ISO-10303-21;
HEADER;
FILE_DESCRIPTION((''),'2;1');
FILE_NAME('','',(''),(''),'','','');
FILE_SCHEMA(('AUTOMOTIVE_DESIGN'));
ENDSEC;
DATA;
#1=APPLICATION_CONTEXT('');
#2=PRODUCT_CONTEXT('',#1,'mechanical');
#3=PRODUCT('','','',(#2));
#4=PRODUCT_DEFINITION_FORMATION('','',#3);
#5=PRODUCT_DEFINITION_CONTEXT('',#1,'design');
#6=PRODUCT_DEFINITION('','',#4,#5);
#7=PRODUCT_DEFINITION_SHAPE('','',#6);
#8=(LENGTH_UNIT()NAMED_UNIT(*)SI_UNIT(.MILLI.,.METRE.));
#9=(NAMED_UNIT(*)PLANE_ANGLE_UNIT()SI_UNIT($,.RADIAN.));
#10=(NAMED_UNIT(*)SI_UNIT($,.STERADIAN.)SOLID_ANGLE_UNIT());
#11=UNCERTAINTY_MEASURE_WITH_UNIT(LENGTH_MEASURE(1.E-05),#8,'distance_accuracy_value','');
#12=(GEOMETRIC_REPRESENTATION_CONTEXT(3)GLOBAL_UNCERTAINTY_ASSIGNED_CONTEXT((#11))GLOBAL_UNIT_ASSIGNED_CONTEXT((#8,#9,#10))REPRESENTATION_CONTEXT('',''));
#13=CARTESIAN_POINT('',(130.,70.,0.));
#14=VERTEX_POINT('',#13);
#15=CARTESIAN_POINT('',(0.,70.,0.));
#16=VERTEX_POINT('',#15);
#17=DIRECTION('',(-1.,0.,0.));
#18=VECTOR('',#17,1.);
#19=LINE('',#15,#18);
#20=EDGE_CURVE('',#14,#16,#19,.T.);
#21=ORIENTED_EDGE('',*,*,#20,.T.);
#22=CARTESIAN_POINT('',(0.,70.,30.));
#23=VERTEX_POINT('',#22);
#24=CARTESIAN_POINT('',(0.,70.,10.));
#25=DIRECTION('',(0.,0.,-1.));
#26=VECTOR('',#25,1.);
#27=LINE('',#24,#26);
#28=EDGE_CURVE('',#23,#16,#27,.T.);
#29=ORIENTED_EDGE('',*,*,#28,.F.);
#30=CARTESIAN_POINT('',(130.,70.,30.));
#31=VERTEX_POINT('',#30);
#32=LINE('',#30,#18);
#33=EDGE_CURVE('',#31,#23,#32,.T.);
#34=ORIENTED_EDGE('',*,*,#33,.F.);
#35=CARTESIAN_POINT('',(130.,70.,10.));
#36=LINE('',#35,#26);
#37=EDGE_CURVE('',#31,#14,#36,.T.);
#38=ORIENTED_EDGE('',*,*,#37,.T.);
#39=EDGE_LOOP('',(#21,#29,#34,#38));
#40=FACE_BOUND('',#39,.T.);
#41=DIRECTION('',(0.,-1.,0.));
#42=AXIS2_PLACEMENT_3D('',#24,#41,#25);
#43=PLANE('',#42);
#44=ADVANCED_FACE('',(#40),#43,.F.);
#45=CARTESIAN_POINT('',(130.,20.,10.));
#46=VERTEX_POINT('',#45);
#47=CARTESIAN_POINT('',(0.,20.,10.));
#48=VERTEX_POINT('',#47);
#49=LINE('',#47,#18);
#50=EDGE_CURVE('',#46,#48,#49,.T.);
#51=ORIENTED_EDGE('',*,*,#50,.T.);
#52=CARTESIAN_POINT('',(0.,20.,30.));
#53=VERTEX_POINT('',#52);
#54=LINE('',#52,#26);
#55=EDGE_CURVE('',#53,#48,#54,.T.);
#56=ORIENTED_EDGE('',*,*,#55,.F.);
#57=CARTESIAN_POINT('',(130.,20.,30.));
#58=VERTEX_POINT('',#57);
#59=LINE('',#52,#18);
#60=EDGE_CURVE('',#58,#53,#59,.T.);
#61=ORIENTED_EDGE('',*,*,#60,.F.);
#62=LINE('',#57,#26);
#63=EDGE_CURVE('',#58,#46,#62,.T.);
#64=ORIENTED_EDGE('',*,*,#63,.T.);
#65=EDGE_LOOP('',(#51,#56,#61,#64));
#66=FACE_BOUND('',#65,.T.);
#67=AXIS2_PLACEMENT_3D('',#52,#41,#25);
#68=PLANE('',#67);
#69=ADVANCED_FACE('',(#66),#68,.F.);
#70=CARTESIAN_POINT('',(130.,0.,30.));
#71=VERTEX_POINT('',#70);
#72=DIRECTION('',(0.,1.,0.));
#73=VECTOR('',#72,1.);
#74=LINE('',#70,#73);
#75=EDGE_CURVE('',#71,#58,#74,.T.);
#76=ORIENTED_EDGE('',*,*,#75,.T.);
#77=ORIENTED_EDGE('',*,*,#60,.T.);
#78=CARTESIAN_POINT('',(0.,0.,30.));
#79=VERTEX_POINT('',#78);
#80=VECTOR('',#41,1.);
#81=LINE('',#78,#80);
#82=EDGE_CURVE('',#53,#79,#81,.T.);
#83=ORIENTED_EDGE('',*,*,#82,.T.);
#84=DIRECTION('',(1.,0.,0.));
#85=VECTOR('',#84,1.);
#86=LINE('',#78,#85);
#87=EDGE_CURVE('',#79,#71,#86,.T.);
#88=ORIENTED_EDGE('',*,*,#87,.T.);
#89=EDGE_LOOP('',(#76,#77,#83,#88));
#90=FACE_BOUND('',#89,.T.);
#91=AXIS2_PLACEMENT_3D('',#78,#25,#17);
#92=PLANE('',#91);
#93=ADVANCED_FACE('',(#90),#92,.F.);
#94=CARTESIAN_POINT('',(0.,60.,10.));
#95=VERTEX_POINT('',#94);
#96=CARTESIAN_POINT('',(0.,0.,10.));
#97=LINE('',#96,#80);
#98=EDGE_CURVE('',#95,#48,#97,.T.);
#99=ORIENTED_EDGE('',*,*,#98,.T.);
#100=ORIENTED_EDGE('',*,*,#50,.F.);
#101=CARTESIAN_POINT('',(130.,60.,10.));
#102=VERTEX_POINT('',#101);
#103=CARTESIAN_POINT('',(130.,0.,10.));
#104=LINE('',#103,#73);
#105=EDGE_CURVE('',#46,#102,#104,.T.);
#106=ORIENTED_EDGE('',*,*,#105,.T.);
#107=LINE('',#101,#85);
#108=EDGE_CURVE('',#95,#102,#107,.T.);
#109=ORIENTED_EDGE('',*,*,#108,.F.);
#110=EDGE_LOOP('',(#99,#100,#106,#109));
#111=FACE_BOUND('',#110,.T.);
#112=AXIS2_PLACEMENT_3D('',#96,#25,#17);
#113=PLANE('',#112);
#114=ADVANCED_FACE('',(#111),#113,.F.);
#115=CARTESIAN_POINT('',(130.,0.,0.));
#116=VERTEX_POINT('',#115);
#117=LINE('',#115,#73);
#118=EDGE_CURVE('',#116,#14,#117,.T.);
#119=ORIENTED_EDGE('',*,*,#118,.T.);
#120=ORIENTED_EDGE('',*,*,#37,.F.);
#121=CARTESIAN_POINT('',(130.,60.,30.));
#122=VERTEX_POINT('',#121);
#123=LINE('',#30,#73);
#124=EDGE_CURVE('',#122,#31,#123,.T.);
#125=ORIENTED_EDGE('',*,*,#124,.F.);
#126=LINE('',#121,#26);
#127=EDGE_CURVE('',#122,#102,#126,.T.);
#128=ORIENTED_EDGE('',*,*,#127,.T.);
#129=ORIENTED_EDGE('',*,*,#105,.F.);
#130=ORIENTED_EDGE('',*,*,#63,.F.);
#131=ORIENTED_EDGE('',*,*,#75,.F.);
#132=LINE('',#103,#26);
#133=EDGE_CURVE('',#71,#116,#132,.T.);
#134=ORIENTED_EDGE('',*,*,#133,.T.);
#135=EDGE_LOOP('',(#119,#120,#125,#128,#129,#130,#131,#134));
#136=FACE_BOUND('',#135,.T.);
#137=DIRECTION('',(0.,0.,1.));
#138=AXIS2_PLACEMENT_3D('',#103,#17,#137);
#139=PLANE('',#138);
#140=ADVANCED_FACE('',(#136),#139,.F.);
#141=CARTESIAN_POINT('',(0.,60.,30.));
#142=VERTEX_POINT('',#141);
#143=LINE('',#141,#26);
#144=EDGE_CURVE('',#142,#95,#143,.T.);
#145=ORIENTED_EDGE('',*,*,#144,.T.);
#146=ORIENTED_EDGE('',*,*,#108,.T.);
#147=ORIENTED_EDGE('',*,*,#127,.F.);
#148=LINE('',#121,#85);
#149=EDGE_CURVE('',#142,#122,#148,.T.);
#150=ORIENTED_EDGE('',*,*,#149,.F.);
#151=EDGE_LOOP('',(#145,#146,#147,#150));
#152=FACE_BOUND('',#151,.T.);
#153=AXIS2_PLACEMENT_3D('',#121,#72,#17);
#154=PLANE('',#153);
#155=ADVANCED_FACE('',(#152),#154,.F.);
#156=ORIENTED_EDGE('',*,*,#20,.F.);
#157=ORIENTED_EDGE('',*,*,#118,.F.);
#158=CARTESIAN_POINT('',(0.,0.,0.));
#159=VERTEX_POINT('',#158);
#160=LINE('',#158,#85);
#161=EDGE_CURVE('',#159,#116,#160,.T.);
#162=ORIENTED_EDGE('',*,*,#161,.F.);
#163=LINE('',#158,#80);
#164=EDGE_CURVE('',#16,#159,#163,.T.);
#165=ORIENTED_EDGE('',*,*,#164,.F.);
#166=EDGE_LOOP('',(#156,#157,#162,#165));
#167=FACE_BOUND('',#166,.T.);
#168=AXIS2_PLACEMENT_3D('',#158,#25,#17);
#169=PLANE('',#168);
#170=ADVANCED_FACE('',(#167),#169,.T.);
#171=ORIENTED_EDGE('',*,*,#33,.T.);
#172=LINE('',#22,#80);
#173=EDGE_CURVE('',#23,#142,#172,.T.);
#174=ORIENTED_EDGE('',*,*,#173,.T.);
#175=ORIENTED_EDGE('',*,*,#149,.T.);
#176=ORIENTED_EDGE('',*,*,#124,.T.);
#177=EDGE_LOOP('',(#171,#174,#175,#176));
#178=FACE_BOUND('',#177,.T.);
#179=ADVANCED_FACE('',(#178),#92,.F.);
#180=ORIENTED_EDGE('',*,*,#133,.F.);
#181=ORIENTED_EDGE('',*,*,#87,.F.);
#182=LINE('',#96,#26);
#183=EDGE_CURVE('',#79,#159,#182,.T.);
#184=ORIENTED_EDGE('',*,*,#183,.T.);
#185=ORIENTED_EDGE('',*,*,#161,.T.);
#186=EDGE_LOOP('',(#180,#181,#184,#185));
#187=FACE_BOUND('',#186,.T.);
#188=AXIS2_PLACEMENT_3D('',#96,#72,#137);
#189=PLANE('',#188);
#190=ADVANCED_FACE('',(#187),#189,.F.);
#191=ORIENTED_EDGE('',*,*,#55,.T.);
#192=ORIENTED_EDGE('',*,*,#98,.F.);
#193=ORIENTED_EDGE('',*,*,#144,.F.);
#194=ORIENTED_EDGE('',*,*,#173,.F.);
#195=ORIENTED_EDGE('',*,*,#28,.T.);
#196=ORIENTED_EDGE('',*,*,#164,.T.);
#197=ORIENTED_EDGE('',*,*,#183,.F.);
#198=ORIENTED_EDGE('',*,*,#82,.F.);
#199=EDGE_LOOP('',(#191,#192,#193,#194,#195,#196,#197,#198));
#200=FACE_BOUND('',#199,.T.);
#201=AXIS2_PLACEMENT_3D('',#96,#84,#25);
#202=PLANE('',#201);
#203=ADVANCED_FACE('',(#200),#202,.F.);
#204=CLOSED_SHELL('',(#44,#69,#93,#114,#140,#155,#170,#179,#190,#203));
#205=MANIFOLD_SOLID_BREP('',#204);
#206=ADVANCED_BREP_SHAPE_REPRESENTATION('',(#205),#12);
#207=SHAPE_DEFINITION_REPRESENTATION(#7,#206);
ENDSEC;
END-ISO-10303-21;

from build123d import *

# Parameters (mm, degrees)
SKETCH1_W           = 130
SKETCH1_H           = 70
BOSS_EXTRUDE1_DEPTH = 10
SKETCH2_W           = 130
SKETCH2_H           = 10
SKETCH2_H_2         = 20
BOSS_EXTRUDE2_DEPTH = 20


with BuildPart() as part:
    # Sketch1 → Boss-Extrude1 (new body)
    with BuildSketch(Plane.XY):
        with Locations((65, 35)):
            Rectangle(SKETCH1_W, SKETCH1_H)
    extrude(amount=BOSS_EXTRUDE1_DEPTH)

    # Sketch2 → Boss-Extrude2 (add)
    with BuildSketch(Plane.XY.offset(10)):
        with Locations((65, 65)):
            Rectangle(SKETCH2_W, SKETCH2_H)
        with Locations((65, 10)):
            Rectangle(SKETCH2_W, SKETCH2_H_2)
    extrude(amount=BOSS_EXTRUDE2_DEPTH)


solid = part.part
